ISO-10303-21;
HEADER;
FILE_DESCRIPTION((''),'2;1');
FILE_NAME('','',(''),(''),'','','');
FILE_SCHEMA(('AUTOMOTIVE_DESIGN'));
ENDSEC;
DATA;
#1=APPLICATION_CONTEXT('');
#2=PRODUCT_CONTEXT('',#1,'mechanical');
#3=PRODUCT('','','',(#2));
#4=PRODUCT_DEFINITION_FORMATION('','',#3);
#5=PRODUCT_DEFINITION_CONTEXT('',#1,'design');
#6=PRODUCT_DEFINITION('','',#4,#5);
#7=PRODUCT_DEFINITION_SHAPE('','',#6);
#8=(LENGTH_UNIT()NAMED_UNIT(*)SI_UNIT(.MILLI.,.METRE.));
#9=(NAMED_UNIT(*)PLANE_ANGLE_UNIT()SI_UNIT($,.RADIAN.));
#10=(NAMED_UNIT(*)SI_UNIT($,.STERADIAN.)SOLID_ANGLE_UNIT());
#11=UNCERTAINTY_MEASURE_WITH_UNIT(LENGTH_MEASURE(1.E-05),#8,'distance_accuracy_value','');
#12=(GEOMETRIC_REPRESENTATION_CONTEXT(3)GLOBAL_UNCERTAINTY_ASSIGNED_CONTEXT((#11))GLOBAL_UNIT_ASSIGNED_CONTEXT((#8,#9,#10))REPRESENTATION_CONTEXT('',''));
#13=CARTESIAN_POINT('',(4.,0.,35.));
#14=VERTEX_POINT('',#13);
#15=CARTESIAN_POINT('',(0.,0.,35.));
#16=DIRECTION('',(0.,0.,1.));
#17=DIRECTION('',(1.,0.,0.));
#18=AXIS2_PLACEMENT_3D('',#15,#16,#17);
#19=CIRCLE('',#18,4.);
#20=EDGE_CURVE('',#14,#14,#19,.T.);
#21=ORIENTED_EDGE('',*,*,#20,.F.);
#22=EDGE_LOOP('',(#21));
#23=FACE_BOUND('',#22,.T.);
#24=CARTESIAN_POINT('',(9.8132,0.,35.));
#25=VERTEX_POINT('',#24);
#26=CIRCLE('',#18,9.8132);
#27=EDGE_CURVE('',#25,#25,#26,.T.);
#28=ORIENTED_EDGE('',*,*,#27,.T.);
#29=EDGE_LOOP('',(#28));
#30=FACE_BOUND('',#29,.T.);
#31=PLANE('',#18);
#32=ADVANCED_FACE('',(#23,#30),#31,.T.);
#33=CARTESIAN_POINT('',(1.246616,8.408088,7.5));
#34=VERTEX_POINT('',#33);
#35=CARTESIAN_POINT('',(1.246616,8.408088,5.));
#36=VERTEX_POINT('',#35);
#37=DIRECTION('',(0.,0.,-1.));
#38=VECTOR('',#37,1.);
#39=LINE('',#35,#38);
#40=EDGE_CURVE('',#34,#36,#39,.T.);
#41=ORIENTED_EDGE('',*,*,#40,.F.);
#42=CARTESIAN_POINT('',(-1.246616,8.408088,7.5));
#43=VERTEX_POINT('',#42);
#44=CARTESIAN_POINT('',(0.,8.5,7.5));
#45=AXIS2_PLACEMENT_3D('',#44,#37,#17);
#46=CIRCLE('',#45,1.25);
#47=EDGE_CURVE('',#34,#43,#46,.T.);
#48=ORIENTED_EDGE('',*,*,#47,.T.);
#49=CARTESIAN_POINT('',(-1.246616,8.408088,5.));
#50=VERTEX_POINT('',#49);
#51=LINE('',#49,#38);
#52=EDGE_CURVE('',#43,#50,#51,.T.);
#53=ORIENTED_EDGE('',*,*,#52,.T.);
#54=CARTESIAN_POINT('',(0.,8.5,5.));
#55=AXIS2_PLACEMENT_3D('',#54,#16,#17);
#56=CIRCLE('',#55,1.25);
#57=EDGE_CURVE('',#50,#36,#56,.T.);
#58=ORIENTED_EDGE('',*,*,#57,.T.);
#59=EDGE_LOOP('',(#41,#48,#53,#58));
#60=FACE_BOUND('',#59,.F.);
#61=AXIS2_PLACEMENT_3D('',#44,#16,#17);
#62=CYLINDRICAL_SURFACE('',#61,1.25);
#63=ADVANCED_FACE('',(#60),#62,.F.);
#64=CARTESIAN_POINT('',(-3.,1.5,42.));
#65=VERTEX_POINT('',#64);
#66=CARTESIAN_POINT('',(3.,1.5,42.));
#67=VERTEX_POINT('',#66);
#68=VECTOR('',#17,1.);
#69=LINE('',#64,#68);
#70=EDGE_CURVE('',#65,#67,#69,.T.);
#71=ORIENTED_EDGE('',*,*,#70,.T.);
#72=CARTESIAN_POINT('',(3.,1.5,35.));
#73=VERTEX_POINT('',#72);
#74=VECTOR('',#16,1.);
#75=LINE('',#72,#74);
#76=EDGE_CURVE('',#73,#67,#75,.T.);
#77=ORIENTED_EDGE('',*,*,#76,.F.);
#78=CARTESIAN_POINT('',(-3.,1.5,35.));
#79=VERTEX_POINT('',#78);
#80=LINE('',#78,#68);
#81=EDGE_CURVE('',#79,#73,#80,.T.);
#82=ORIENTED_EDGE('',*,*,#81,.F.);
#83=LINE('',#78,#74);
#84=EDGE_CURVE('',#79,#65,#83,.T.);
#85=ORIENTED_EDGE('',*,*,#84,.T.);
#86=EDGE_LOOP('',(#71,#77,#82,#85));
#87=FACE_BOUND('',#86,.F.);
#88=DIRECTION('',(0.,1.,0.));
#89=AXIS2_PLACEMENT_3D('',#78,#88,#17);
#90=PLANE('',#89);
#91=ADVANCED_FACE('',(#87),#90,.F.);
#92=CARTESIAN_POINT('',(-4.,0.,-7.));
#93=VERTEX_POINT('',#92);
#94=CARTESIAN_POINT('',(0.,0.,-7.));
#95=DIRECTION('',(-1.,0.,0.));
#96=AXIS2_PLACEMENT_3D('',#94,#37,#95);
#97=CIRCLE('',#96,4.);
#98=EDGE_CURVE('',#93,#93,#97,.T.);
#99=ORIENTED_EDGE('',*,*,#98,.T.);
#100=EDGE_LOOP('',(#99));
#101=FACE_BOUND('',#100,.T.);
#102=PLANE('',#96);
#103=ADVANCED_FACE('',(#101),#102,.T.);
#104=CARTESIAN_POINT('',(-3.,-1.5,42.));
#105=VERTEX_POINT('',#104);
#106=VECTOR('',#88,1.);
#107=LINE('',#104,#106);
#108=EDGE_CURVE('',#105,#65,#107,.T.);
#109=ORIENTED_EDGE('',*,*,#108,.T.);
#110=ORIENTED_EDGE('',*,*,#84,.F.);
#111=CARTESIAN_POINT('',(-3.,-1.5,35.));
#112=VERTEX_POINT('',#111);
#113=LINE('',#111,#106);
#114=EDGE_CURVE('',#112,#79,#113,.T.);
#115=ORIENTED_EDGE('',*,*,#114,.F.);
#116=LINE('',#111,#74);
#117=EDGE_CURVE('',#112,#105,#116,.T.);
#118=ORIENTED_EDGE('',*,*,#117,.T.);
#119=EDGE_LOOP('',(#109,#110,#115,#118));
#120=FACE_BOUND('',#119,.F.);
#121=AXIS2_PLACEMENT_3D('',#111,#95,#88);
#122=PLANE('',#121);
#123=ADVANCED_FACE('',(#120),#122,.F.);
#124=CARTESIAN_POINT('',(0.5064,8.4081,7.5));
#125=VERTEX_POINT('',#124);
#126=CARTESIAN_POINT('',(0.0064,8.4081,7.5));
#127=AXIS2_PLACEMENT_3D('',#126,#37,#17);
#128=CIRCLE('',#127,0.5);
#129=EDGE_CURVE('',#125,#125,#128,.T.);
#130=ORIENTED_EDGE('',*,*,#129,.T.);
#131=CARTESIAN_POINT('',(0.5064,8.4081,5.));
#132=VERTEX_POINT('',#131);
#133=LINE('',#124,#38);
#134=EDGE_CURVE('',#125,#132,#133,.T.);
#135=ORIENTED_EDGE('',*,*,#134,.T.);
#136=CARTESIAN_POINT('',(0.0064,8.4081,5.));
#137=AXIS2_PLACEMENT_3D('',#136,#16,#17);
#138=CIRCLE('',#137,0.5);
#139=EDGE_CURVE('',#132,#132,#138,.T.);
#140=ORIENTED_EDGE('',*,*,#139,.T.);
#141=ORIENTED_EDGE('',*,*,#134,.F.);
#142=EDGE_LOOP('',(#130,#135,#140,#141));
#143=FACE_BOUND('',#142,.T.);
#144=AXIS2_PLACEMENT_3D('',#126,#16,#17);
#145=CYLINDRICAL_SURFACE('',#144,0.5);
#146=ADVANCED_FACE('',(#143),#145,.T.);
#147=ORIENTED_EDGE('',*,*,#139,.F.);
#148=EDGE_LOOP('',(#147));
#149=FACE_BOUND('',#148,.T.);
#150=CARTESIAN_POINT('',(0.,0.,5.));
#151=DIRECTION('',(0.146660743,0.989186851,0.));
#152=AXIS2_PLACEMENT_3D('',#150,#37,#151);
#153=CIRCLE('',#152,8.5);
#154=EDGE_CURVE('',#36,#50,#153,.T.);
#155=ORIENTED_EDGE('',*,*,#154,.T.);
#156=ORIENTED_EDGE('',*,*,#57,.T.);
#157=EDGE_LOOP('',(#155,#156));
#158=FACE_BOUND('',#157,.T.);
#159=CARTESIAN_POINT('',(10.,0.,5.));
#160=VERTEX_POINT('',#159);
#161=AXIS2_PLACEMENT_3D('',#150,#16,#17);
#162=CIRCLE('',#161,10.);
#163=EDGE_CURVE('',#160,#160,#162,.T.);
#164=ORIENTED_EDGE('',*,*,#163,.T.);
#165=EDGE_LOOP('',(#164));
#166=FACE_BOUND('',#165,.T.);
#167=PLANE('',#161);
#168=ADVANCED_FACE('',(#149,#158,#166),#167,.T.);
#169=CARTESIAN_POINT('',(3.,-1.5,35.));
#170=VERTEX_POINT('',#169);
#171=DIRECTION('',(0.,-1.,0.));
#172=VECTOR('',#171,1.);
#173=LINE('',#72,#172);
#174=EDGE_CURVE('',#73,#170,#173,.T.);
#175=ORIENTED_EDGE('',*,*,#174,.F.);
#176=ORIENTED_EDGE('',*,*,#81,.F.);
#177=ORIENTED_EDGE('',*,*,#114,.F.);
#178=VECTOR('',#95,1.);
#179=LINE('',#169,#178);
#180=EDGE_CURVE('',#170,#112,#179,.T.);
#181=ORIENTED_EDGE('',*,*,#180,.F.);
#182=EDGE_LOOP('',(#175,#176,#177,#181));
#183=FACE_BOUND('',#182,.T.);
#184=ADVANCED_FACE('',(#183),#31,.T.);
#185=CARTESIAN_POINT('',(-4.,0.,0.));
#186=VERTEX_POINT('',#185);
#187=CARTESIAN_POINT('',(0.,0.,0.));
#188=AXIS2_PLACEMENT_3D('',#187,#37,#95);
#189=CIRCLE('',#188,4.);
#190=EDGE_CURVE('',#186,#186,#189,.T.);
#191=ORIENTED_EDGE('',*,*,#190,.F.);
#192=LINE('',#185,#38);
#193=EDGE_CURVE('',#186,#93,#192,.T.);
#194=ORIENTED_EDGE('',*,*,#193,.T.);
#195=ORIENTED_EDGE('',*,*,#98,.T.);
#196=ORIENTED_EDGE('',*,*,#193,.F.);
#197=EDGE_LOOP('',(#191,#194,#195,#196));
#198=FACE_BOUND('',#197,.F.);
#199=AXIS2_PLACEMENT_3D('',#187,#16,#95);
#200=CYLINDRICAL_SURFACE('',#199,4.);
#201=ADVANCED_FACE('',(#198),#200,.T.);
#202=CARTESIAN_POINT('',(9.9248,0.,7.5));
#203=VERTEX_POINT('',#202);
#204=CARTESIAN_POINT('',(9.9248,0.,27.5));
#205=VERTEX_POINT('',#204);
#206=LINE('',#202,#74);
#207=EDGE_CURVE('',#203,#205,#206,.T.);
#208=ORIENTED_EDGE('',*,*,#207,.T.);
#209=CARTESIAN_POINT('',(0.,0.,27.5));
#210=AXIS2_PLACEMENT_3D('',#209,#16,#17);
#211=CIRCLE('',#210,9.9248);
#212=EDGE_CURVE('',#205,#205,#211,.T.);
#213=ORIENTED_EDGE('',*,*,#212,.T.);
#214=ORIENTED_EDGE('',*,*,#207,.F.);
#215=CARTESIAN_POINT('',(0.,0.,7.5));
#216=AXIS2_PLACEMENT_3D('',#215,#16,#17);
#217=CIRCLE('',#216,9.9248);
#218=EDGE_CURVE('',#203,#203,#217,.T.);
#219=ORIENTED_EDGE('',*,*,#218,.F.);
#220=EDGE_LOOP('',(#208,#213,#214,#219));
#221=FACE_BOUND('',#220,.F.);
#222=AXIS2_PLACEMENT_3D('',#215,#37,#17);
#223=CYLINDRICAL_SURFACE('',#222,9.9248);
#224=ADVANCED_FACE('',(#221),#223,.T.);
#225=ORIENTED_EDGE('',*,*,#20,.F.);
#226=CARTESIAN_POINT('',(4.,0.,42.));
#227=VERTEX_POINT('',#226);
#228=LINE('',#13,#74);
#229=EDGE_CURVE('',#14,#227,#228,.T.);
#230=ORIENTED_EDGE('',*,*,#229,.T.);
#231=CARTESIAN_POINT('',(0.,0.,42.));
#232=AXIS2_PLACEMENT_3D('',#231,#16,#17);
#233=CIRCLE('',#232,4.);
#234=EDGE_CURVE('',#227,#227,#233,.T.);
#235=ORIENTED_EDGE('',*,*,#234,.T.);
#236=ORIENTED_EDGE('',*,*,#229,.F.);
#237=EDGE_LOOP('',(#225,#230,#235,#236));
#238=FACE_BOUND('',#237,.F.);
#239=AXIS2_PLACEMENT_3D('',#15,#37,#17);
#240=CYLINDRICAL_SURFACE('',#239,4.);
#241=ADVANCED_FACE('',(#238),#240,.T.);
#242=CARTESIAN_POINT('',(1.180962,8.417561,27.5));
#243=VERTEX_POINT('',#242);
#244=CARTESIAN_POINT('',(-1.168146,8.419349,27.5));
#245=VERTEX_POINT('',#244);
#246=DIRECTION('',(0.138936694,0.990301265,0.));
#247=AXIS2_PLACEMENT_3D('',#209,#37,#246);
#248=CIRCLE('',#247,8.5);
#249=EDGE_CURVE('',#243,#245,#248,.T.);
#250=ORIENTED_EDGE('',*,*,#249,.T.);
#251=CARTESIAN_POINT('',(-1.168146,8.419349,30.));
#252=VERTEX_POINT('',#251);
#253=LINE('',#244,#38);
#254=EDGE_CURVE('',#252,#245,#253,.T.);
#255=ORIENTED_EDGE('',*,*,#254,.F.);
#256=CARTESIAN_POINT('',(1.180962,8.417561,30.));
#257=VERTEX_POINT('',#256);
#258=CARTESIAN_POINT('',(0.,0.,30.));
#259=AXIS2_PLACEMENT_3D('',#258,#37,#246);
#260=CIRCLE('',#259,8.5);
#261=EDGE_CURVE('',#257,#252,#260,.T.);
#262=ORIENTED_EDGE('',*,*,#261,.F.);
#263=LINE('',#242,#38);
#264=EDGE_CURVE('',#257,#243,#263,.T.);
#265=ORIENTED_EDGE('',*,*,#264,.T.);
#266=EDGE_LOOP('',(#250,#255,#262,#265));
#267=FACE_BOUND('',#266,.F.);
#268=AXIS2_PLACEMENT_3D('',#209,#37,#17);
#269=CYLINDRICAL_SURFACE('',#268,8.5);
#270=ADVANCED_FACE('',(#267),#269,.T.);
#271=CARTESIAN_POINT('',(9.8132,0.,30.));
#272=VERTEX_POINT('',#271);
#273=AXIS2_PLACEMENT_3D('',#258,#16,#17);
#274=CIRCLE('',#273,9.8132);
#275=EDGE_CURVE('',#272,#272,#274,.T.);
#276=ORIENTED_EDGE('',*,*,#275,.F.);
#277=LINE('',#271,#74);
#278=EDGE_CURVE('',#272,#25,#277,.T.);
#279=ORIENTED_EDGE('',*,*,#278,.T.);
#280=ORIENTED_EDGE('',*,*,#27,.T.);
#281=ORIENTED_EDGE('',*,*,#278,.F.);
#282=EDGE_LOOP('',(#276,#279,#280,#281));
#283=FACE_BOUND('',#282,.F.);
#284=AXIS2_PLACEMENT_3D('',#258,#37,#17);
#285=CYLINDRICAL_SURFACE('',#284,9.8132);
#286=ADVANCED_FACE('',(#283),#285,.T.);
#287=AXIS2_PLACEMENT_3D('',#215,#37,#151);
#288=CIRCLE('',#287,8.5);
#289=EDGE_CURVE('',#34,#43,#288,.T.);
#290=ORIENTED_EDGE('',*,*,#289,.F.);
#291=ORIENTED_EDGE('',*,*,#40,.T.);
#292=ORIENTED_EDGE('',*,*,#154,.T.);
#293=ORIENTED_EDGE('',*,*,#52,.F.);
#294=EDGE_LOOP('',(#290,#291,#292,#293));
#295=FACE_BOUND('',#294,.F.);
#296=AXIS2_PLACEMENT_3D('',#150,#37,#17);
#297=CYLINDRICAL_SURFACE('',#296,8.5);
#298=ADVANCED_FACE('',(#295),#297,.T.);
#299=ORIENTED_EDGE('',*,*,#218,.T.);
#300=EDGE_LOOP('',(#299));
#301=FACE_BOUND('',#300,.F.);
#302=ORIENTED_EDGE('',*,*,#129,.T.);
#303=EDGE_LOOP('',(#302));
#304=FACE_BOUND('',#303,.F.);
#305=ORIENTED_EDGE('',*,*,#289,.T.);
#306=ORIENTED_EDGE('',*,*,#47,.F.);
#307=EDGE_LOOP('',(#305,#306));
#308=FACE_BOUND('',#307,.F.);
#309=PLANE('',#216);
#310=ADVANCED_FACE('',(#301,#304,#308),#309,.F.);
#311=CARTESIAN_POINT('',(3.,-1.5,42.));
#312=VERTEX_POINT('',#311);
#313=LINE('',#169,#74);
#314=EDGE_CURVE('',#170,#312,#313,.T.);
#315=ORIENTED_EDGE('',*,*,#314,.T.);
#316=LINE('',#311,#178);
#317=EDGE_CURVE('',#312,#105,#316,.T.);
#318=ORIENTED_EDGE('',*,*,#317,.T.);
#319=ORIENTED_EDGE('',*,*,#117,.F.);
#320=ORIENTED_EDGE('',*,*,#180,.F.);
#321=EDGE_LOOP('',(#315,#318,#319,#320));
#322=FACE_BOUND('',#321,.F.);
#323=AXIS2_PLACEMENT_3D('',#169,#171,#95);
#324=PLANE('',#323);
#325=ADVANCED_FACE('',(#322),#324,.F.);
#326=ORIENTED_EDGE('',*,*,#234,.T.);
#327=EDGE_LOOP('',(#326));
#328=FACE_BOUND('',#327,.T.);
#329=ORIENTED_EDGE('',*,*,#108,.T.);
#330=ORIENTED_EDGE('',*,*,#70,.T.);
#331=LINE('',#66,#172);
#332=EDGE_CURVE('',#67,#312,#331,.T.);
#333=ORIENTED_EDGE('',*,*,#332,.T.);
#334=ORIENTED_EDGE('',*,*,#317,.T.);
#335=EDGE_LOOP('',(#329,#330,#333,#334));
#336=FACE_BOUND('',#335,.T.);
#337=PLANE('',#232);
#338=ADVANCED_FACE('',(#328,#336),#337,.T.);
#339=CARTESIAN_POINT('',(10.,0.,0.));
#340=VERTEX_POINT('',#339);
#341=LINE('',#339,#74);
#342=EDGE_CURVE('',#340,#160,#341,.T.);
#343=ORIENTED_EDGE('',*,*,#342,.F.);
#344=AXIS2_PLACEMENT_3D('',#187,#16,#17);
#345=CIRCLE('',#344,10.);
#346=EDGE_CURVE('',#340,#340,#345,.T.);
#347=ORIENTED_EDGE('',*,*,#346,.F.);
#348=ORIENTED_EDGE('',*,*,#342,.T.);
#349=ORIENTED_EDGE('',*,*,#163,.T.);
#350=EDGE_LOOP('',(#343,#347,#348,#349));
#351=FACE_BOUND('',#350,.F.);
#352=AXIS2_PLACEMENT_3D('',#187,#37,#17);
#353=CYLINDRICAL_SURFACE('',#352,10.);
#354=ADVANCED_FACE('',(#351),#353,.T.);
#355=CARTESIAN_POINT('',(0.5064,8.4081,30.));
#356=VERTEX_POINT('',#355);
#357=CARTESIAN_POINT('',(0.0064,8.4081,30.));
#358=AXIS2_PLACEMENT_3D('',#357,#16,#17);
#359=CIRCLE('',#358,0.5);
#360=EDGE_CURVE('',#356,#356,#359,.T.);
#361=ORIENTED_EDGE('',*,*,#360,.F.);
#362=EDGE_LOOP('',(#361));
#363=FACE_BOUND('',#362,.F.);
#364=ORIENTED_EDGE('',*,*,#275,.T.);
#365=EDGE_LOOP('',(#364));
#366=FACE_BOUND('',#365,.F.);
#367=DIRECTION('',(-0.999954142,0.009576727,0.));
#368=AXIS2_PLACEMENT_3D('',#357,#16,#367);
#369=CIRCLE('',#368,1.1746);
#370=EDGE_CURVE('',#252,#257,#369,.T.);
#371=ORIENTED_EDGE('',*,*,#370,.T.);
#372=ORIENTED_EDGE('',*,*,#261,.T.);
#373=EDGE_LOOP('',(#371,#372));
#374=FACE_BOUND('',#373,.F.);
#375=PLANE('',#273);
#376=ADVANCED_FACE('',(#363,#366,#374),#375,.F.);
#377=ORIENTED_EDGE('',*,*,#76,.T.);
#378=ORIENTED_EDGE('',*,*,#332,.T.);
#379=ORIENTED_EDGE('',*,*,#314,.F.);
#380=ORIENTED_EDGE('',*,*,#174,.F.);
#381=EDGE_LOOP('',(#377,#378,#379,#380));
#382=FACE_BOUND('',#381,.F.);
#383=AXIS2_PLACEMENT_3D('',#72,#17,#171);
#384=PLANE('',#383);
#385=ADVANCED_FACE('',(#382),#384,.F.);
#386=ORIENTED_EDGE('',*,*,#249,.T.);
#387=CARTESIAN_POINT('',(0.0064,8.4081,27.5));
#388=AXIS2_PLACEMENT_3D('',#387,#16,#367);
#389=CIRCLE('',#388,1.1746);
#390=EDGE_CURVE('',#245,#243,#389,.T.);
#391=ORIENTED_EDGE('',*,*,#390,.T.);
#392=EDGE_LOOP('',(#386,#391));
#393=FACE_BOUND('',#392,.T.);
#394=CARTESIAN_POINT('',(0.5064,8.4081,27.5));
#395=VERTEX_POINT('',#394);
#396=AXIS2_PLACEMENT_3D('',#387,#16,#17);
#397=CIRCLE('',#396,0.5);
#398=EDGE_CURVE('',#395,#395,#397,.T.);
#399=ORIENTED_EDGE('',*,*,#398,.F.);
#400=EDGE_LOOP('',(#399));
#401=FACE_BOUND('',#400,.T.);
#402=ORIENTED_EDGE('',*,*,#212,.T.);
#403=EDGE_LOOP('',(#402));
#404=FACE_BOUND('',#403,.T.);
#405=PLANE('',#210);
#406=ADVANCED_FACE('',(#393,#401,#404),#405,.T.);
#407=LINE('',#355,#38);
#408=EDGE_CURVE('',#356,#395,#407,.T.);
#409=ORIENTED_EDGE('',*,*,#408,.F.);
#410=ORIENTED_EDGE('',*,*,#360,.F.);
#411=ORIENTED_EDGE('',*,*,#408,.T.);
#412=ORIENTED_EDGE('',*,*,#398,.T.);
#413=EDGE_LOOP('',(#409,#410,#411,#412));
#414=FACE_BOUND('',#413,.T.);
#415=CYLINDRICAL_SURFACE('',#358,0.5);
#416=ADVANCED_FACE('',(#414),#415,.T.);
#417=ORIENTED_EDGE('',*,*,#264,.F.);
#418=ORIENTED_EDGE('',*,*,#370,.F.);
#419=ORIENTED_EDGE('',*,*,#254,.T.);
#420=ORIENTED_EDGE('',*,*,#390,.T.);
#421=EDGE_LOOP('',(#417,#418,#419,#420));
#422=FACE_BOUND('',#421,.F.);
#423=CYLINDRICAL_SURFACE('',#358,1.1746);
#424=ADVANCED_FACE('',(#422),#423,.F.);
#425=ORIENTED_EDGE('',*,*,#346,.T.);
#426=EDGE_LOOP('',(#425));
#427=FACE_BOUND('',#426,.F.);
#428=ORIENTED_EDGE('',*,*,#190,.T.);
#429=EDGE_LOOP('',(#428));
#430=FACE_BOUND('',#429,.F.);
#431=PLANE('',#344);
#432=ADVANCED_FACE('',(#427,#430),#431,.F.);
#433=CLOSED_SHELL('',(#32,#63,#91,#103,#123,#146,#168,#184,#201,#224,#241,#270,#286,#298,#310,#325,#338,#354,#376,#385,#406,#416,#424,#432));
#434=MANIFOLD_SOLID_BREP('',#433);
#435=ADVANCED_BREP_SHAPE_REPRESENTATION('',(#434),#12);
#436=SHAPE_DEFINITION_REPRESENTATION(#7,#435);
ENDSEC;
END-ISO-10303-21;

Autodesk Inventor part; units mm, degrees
ref_plane "YZ Plane" through (0, 0, 0) normal (1, 0, 0) x (0, 1, 0)
ref_plane "XZ Plane" through (0, 0, 0) normal (0, 1, 0) x (-1, 0, 0)
ref_plane "XY Plane" through (0, 0, 0) normal (0, 0, 1) x (1, 0, 0)
sketch "Sketch1" plane through (0, 0, 0) normal (0, 0, 1) x (1, 0, 0)
  circle A0 centre (0, 0) radius 10
  dimension "d0" = 20
extrude "Extrusion1" add sketch "Sketch1" along normal blind 5
sketch "Sketch2" plane through (0, 0, 5) normal (0, 0, 1) x (1, 0, 0)
  circle A0 centre (0, 0) radius 8.5
  circle A1 centre (-6.4588, 5.5258) radius 1.5
  dimension "d3" = 17
  dimension "d4" = 3
extrude "Extrusion2" add sketch "Sketch2" along normal blind 2.5 contours A0 A1 | A1 A0 picked at (2.8228, -1.7231) picked at (-6.0787, 5.1859)
sketch "Sketch3" plane through (0, 0, 7.5) normal (0, 0, 1) x (1, 0, 0)
  circle A0 centre (0, 0) radius 8.5 projected
  circle A1 centre (0, 8.5) radius 1.25
  dimension "d7" = 2.5
extrude "Extrusion3" cut sketch "Sketch3" against normal blind 2.5 contours A1 A0 | A0 A1 picked at (0, 8.0765) picked at (0.0361, 8.9083)
sketch "Sketch4" plane through (0, 0, 7.5) normal (0, 0, 1) x (1, 0, 0)
  line L0 (-1.2337, 8.4081) -> (1.2466, 8.4081)
  circle A0 centre (0.0064, 8.4081) radius 0.5
  circle A1 centre (0, 0) radius 10 projected
  dimension "d10" = 8.4081
  dimension "d11" = 1
extrude "Extrusion4" add sketch "Sketch4" against normal blind 2.5 contours A0 L0 | L0 A0
sketch "Sketch5" plane through (0, 0, 7.5) normal (0, 0, 1) x (1, 0, 0)
  circle A0 centre (0, 0) radius 9.9248
extrude "Extrusion5" add sketch "Sketch5" along normal blind 20
sketch "Sketch6" plane through (0, 0, 27.5) normal (0, 0, 1) x (1, 0, 0)
  circle A0 centre (0, 0) radius 8.5
extrude "Extrusion6" add sketch "Sketch6" along normal blind 2.5
sketch "Sketch7" plane through (0, 0, 30) normal (0, 0, 1) x (1, 0, 0)
  circle A0 centre (0.0064, 8.4081) radius 0.5 projected
  circle A1 centre (0.0064, 8.4081) radius 0.5
  circle A2 centre (0.0064, 8.4081) radius 1.1746
  point P0 (0, 0)
extrude "Extrusion7" cut sketch "Sketch7" against normal blind 2.5 contours A0 | A2
sketch "Sketch8" plane through (0, 0, 30) normal (0, 0, 1) x (1, 0, 0)
  circle A0 centre (0.0064, 8.4081) radius 0.5 projected
  circle A1 centre (0.0064, 8.4081) radius 0.5
  point P0 (0, 0)
extrude "Extrusion8" add sketch "Sketch8" against normal blind 2.5
sketch "Sketch9" plane through (0, 0, 30) normal (0, 0, 1) x (1, 0, 0)
  circle A0 centre (0, 0) radius 9.8132
extrude "Extrusion9" add sketch "Sketch9" along normal blind 5
sketch "Sketch10" plane through (0, 0, 35) normal (0, 0, 1) x (1, 0, 0)
  circle A0 centre (0, 0) radius 4
  line L0 (-3, 1.5) -> (3, 1.5)
  line L1 (3, 1.5) -> (3, -1.5)
  line L2 (3, -1.5) -> (-3, -1.5)
  line L3 (-3, -1.5) -> (-3, 1.5)
  dimension "d24" = 8
  dimension "d25" = 6
  dimension "d26" = 3
  dimension "d27" = 1.5
  dimension "d28" = 3
extrude "Extrusion10" add sketch "Sketch10" along normal blind 7
sketch "Sketch11" plane through (0, 0, 0) normal (0, 0, -1) x (-1, 0, 0)
  circle A0 centre (0, 0) radius 4
  dimension "d31" = 8
extrude "Extrusion11" add sketch "Sketch11" along normal blind 7
properties part number "Roller"
